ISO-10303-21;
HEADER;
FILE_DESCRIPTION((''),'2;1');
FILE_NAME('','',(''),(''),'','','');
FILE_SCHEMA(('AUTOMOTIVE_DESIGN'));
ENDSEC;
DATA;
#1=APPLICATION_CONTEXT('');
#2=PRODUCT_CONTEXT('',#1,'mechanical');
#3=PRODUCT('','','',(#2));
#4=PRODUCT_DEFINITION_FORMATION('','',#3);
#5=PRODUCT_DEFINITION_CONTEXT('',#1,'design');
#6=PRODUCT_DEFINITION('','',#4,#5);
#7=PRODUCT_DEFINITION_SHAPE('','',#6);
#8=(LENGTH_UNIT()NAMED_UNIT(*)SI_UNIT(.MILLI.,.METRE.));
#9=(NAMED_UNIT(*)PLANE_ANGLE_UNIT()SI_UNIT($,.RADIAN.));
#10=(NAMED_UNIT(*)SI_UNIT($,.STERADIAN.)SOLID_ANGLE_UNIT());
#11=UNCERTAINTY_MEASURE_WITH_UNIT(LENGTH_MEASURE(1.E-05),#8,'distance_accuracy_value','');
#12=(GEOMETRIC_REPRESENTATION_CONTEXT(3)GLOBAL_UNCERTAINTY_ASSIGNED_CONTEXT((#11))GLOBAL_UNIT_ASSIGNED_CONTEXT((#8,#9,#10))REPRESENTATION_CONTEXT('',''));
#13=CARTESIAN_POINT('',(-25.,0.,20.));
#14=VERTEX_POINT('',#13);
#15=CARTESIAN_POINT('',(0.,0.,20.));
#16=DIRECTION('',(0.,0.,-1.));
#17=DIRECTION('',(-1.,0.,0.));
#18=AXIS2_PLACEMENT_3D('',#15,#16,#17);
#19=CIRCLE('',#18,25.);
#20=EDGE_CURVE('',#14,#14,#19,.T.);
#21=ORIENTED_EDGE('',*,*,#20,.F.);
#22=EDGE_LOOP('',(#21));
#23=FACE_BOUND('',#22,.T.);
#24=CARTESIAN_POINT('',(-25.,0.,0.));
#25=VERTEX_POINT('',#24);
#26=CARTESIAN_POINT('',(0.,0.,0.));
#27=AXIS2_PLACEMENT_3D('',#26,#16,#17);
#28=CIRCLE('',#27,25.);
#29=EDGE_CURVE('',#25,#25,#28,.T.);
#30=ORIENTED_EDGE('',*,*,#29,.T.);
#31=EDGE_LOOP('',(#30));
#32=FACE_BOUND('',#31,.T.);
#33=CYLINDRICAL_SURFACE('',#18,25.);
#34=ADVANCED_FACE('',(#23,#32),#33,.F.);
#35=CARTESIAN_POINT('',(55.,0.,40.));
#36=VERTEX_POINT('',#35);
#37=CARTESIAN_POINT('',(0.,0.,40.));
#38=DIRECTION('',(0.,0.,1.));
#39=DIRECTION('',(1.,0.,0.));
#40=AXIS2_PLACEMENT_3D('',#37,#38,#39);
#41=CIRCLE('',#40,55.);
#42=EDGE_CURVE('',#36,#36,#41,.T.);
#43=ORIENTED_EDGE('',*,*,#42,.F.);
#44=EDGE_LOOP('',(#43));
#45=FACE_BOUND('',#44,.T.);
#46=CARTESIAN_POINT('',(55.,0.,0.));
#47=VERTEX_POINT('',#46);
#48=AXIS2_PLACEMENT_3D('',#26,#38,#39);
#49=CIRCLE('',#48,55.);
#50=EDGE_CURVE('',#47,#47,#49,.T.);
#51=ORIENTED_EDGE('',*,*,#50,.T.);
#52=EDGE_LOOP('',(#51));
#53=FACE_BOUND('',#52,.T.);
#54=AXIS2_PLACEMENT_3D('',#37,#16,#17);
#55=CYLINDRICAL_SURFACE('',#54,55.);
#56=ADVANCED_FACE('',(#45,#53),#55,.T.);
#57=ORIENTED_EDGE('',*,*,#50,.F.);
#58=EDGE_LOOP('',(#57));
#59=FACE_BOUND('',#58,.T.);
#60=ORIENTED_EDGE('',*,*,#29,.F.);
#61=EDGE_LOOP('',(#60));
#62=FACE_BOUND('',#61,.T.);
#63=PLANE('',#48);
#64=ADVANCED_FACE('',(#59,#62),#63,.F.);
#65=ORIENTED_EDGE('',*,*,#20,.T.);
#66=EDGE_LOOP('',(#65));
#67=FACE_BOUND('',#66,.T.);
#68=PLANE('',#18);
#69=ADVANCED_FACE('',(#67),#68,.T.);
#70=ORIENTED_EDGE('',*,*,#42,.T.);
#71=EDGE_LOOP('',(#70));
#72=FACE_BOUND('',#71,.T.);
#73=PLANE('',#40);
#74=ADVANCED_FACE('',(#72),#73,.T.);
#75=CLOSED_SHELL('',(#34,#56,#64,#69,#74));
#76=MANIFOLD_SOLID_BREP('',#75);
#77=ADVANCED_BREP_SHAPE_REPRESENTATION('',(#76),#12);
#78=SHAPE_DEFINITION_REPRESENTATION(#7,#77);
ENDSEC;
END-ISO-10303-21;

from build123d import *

# Parameters (mm, degrees)
SKETCH_1_R          = 55
EXTRUDE_1_DEPTH     = 40
SKETCH_3_R          = 25
CUT_EXTRUDE_1_DEPTH = 20


with BuildPart() as part:
    # 草圖1 → 填料-伸長1 (new body)
    with BuildSketch(Plane.XY):
        Circle(SKETCH_1_R)
    extrude(amount=EXTRUDE_1_DEPTH)

    # 草圖3 → 除料-伸長1 (cut)
    with BuildSketch(Plane(origin=(0, 0, 0), x_dir=(-1, 0, 0), z_dir=(0, 0, -1))):
        Circle(SKETCH_3_R)
    extrude(amount=-CUT_EXTRUDE_1_DEPTH, mode=Mode.SUBTRACT)


solid = part.part
